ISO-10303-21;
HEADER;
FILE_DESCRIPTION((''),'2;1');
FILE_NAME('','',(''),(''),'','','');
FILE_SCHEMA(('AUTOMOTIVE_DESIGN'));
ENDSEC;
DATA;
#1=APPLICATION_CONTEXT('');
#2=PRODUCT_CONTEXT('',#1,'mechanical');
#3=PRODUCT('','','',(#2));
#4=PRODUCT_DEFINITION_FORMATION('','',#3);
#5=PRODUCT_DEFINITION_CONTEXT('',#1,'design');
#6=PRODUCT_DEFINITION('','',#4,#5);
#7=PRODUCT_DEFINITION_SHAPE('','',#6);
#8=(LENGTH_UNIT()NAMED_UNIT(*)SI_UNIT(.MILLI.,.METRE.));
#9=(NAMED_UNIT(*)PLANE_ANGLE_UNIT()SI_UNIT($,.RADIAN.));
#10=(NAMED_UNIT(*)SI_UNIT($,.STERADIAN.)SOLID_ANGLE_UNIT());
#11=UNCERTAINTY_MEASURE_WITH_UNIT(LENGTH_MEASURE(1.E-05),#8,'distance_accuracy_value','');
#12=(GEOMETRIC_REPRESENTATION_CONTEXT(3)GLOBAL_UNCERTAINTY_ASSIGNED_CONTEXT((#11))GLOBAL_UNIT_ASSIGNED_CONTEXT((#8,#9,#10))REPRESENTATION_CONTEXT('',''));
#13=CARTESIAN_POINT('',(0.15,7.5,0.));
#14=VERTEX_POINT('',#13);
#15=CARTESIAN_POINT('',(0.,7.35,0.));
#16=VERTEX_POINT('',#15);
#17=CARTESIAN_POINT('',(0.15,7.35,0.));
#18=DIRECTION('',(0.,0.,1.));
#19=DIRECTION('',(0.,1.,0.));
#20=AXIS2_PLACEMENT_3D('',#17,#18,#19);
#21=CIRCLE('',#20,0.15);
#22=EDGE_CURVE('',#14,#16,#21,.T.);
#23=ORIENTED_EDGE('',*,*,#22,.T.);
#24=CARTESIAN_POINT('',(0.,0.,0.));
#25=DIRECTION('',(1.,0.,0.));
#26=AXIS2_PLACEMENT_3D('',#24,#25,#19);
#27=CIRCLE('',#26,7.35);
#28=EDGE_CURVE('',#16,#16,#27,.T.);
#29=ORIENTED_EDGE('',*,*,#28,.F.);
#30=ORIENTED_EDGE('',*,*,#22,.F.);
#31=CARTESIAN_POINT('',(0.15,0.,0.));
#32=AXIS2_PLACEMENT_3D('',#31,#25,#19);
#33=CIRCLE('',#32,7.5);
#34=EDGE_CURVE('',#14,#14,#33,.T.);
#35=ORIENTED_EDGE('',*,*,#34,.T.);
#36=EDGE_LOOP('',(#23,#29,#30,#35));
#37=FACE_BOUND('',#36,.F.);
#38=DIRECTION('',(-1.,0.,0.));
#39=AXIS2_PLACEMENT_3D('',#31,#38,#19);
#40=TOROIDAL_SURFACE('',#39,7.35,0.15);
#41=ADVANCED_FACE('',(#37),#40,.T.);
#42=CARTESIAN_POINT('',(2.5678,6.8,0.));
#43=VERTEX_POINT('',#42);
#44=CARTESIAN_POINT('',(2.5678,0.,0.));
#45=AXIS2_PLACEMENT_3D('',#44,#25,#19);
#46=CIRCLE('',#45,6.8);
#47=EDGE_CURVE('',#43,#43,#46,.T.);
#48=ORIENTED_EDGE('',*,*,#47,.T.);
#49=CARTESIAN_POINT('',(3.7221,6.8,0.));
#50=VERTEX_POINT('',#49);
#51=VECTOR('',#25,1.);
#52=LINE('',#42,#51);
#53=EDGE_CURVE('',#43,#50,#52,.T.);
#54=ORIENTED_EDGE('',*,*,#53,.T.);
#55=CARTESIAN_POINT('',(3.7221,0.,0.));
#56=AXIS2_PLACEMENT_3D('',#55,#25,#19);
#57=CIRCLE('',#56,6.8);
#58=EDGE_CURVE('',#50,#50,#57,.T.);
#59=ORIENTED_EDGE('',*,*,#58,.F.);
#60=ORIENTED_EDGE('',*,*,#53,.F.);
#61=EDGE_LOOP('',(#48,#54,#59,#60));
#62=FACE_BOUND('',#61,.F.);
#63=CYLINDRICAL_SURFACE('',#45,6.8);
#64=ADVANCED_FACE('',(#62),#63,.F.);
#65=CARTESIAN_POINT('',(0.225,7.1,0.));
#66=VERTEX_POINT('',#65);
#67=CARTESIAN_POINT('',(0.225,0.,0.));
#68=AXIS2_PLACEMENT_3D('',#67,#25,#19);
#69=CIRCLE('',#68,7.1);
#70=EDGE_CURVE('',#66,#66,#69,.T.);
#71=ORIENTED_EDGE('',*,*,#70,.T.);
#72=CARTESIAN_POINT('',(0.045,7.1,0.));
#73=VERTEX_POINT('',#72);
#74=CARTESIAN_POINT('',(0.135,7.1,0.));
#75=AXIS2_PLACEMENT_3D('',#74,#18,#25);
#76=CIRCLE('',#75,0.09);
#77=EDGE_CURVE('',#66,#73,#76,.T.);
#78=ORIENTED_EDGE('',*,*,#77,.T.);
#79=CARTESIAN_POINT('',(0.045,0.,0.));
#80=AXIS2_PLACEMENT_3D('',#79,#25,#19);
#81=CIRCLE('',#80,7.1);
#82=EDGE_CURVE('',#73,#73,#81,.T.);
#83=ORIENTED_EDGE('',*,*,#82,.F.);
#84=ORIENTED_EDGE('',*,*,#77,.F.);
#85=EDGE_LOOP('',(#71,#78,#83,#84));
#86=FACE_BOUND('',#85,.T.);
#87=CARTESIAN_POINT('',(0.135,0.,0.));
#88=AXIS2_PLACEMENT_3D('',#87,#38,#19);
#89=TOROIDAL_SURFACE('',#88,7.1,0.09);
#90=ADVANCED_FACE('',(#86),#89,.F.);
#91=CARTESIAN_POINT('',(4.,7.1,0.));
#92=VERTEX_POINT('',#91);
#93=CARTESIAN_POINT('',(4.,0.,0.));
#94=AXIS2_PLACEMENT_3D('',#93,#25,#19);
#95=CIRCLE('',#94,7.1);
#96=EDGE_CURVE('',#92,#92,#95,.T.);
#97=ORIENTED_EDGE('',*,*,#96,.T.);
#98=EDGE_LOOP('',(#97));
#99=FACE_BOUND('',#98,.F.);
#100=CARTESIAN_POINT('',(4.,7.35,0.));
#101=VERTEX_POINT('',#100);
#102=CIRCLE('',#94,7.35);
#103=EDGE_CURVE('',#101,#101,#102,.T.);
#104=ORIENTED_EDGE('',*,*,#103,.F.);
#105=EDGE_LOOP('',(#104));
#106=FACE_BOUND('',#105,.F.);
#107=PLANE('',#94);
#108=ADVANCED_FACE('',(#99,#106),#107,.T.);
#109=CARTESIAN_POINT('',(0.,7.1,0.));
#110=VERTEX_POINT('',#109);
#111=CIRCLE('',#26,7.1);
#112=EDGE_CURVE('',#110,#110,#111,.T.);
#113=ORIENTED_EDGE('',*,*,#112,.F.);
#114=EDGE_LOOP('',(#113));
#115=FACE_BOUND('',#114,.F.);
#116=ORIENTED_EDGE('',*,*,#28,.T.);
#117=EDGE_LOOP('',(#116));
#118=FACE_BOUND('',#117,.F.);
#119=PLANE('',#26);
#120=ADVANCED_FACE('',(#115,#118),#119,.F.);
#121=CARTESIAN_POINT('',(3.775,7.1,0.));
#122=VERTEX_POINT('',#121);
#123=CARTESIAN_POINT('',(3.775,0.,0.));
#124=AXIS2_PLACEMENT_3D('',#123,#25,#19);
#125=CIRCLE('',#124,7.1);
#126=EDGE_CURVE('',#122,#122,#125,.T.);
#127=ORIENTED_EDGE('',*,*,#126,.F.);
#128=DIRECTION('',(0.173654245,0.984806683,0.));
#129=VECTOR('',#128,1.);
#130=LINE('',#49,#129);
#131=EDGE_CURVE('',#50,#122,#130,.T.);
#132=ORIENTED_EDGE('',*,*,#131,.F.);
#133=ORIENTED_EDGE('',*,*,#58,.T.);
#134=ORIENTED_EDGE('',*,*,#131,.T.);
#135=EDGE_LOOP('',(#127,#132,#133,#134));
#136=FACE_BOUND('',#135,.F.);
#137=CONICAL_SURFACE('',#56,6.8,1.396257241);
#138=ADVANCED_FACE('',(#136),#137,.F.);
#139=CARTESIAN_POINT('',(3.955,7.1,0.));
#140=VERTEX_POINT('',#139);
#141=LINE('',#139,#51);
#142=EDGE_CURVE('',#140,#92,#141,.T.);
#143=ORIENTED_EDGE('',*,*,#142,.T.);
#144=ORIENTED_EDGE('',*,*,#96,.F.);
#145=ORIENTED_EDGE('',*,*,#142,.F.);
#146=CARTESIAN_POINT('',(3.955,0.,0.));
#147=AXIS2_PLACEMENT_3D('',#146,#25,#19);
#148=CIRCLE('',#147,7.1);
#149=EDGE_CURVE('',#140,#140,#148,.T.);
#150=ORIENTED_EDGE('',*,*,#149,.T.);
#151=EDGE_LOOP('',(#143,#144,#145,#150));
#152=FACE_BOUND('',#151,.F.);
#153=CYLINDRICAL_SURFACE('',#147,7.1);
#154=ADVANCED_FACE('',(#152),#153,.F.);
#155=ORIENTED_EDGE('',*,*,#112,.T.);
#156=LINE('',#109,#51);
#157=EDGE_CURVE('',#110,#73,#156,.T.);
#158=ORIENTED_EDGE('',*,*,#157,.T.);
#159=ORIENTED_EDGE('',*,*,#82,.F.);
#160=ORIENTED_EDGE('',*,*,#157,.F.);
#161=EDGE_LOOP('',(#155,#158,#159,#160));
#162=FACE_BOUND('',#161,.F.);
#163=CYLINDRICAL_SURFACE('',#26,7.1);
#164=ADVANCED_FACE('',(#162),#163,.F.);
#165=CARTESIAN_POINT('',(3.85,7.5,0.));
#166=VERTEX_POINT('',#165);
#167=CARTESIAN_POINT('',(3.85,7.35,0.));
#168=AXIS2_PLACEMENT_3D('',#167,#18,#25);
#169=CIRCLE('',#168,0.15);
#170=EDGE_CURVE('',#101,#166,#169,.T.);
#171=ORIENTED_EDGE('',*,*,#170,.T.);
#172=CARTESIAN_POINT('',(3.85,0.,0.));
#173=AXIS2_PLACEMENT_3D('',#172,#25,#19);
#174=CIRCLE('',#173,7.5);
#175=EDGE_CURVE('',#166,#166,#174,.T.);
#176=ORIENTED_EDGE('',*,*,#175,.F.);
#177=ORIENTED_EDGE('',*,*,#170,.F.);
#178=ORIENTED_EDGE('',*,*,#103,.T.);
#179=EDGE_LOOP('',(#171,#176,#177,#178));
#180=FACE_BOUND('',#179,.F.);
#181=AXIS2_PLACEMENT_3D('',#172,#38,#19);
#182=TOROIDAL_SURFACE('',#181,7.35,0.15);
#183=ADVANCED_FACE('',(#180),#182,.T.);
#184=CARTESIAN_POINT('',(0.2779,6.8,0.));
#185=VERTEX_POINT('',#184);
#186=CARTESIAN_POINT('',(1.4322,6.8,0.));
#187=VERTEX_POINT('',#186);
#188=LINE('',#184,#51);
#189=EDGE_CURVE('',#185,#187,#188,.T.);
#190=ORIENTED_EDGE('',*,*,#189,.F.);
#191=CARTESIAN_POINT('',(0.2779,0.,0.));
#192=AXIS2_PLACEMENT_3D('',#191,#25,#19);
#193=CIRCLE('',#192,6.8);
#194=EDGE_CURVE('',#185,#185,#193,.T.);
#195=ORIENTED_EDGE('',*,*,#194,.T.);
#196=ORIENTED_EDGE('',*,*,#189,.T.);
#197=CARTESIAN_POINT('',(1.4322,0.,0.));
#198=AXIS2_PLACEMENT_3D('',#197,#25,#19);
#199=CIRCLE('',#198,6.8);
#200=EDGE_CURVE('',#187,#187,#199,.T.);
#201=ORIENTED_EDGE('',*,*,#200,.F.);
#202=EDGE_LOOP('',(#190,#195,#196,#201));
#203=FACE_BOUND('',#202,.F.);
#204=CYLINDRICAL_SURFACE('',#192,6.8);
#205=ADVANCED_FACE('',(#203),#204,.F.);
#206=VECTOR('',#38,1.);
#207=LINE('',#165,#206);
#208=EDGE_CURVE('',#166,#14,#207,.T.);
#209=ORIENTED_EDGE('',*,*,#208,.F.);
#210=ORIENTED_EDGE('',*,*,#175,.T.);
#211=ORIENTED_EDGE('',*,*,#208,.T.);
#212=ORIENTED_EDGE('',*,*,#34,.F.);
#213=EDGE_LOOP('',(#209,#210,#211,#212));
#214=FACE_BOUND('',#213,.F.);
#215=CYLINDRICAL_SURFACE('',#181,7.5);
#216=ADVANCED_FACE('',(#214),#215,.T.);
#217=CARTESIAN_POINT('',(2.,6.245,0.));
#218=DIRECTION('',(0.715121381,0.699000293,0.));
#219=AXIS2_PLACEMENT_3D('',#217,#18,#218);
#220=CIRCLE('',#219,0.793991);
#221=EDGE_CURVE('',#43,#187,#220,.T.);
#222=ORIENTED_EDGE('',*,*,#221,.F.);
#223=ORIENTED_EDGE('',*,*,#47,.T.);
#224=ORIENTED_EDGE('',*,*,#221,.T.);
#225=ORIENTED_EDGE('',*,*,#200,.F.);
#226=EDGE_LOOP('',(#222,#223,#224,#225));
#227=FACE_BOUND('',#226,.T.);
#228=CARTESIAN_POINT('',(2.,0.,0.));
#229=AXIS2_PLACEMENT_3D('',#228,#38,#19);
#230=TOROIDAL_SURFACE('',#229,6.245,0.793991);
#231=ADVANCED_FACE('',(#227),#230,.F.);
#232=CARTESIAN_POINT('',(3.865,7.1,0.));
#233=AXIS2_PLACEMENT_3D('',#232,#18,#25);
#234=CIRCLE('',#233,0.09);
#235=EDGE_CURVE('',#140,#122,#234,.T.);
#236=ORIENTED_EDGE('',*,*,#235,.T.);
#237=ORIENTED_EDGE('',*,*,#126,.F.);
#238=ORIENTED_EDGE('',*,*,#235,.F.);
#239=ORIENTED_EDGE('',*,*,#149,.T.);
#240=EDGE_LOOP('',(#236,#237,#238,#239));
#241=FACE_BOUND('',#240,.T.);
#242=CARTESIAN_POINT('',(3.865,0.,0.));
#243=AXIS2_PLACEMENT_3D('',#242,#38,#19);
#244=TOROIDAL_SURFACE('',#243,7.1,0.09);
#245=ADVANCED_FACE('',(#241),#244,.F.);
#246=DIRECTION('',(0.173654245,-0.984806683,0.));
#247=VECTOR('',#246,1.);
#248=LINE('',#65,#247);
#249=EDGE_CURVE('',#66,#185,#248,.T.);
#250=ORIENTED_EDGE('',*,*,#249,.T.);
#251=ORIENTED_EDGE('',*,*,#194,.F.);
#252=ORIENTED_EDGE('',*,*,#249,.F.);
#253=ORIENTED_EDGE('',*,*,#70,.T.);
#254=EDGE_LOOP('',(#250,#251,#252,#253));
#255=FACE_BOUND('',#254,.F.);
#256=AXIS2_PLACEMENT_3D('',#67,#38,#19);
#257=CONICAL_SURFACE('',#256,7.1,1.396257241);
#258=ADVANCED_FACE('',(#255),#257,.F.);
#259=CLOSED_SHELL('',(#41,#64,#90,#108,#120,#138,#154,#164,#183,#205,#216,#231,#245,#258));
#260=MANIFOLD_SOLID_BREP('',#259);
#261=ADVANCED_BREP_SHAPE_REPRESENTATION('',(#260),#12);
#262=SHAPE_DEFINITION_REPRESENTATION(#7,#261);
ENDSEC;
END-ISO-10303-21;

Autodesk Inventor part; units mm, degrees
ref_plane "YZ Plane" through (0, 0, 0) normal (1, 0, 0) x (0, 1, 0)
ref_plane "XZ Plane" through (0, 0, 0) normal (0, 1, 0) x (-1, 0, 0)
ref_plane "XY Plane" through (0, 0, 0) normal (0, 0, 1) x (1, 0, 0)
sketch "Sketch_4" plane through (0, 0, 0) normal (0, 0, 1) x (1, 0, 0)
  line L0 (50, 0) -> (-50, 0)
  line L1 (0, 7.1) -> (0.045, 7.1)
  arc A0 (0.225, 7.1) -> (0.045, 7.1) centre (0.135, 7.1) ccw
  line L2 (0.225, 7.1) -> (0.2779, 6.8)
  line L3 (0.2779, 6.8) -> (1.4322, 6.8)
  arc A1 (2.5678, 6.8) -> (1.4322, 6.8) centre (2, 6.245) ccw
  line L4 (2.5678, 6.8) -> (3.7221, 6.8)
  line L5 (3.7221, 6.8) -> (3.775, 7.1)
  arc A2 (3.955, 7.1) -> (3.775, 7.1) centre (3.865, 7.1) ccw
  line L6 (3.955, 7.1) -> (4, 7.1)
  line L7 (4, 7.1) -> (4, 7.35)
  arc A3 (4, 7.35) -> (3.85, 7.5) centre (3.85, 7.35) ccw
  line L8 (3.85, 7.5) -> (0.15, 7.5)
  arc A4 (0.15, 7.5) -> (0, 7.35) centre (0.15, 7.35) ccw
  line L9 (0, 7.35) -> (0, 7.1)
revolve "Revolution1" add sketch "Sketch_4" angle 360 about axis through (50, 0, 0) along (1, 0, 0)
properties part number "W 61700 X-2RS1_PART2"
